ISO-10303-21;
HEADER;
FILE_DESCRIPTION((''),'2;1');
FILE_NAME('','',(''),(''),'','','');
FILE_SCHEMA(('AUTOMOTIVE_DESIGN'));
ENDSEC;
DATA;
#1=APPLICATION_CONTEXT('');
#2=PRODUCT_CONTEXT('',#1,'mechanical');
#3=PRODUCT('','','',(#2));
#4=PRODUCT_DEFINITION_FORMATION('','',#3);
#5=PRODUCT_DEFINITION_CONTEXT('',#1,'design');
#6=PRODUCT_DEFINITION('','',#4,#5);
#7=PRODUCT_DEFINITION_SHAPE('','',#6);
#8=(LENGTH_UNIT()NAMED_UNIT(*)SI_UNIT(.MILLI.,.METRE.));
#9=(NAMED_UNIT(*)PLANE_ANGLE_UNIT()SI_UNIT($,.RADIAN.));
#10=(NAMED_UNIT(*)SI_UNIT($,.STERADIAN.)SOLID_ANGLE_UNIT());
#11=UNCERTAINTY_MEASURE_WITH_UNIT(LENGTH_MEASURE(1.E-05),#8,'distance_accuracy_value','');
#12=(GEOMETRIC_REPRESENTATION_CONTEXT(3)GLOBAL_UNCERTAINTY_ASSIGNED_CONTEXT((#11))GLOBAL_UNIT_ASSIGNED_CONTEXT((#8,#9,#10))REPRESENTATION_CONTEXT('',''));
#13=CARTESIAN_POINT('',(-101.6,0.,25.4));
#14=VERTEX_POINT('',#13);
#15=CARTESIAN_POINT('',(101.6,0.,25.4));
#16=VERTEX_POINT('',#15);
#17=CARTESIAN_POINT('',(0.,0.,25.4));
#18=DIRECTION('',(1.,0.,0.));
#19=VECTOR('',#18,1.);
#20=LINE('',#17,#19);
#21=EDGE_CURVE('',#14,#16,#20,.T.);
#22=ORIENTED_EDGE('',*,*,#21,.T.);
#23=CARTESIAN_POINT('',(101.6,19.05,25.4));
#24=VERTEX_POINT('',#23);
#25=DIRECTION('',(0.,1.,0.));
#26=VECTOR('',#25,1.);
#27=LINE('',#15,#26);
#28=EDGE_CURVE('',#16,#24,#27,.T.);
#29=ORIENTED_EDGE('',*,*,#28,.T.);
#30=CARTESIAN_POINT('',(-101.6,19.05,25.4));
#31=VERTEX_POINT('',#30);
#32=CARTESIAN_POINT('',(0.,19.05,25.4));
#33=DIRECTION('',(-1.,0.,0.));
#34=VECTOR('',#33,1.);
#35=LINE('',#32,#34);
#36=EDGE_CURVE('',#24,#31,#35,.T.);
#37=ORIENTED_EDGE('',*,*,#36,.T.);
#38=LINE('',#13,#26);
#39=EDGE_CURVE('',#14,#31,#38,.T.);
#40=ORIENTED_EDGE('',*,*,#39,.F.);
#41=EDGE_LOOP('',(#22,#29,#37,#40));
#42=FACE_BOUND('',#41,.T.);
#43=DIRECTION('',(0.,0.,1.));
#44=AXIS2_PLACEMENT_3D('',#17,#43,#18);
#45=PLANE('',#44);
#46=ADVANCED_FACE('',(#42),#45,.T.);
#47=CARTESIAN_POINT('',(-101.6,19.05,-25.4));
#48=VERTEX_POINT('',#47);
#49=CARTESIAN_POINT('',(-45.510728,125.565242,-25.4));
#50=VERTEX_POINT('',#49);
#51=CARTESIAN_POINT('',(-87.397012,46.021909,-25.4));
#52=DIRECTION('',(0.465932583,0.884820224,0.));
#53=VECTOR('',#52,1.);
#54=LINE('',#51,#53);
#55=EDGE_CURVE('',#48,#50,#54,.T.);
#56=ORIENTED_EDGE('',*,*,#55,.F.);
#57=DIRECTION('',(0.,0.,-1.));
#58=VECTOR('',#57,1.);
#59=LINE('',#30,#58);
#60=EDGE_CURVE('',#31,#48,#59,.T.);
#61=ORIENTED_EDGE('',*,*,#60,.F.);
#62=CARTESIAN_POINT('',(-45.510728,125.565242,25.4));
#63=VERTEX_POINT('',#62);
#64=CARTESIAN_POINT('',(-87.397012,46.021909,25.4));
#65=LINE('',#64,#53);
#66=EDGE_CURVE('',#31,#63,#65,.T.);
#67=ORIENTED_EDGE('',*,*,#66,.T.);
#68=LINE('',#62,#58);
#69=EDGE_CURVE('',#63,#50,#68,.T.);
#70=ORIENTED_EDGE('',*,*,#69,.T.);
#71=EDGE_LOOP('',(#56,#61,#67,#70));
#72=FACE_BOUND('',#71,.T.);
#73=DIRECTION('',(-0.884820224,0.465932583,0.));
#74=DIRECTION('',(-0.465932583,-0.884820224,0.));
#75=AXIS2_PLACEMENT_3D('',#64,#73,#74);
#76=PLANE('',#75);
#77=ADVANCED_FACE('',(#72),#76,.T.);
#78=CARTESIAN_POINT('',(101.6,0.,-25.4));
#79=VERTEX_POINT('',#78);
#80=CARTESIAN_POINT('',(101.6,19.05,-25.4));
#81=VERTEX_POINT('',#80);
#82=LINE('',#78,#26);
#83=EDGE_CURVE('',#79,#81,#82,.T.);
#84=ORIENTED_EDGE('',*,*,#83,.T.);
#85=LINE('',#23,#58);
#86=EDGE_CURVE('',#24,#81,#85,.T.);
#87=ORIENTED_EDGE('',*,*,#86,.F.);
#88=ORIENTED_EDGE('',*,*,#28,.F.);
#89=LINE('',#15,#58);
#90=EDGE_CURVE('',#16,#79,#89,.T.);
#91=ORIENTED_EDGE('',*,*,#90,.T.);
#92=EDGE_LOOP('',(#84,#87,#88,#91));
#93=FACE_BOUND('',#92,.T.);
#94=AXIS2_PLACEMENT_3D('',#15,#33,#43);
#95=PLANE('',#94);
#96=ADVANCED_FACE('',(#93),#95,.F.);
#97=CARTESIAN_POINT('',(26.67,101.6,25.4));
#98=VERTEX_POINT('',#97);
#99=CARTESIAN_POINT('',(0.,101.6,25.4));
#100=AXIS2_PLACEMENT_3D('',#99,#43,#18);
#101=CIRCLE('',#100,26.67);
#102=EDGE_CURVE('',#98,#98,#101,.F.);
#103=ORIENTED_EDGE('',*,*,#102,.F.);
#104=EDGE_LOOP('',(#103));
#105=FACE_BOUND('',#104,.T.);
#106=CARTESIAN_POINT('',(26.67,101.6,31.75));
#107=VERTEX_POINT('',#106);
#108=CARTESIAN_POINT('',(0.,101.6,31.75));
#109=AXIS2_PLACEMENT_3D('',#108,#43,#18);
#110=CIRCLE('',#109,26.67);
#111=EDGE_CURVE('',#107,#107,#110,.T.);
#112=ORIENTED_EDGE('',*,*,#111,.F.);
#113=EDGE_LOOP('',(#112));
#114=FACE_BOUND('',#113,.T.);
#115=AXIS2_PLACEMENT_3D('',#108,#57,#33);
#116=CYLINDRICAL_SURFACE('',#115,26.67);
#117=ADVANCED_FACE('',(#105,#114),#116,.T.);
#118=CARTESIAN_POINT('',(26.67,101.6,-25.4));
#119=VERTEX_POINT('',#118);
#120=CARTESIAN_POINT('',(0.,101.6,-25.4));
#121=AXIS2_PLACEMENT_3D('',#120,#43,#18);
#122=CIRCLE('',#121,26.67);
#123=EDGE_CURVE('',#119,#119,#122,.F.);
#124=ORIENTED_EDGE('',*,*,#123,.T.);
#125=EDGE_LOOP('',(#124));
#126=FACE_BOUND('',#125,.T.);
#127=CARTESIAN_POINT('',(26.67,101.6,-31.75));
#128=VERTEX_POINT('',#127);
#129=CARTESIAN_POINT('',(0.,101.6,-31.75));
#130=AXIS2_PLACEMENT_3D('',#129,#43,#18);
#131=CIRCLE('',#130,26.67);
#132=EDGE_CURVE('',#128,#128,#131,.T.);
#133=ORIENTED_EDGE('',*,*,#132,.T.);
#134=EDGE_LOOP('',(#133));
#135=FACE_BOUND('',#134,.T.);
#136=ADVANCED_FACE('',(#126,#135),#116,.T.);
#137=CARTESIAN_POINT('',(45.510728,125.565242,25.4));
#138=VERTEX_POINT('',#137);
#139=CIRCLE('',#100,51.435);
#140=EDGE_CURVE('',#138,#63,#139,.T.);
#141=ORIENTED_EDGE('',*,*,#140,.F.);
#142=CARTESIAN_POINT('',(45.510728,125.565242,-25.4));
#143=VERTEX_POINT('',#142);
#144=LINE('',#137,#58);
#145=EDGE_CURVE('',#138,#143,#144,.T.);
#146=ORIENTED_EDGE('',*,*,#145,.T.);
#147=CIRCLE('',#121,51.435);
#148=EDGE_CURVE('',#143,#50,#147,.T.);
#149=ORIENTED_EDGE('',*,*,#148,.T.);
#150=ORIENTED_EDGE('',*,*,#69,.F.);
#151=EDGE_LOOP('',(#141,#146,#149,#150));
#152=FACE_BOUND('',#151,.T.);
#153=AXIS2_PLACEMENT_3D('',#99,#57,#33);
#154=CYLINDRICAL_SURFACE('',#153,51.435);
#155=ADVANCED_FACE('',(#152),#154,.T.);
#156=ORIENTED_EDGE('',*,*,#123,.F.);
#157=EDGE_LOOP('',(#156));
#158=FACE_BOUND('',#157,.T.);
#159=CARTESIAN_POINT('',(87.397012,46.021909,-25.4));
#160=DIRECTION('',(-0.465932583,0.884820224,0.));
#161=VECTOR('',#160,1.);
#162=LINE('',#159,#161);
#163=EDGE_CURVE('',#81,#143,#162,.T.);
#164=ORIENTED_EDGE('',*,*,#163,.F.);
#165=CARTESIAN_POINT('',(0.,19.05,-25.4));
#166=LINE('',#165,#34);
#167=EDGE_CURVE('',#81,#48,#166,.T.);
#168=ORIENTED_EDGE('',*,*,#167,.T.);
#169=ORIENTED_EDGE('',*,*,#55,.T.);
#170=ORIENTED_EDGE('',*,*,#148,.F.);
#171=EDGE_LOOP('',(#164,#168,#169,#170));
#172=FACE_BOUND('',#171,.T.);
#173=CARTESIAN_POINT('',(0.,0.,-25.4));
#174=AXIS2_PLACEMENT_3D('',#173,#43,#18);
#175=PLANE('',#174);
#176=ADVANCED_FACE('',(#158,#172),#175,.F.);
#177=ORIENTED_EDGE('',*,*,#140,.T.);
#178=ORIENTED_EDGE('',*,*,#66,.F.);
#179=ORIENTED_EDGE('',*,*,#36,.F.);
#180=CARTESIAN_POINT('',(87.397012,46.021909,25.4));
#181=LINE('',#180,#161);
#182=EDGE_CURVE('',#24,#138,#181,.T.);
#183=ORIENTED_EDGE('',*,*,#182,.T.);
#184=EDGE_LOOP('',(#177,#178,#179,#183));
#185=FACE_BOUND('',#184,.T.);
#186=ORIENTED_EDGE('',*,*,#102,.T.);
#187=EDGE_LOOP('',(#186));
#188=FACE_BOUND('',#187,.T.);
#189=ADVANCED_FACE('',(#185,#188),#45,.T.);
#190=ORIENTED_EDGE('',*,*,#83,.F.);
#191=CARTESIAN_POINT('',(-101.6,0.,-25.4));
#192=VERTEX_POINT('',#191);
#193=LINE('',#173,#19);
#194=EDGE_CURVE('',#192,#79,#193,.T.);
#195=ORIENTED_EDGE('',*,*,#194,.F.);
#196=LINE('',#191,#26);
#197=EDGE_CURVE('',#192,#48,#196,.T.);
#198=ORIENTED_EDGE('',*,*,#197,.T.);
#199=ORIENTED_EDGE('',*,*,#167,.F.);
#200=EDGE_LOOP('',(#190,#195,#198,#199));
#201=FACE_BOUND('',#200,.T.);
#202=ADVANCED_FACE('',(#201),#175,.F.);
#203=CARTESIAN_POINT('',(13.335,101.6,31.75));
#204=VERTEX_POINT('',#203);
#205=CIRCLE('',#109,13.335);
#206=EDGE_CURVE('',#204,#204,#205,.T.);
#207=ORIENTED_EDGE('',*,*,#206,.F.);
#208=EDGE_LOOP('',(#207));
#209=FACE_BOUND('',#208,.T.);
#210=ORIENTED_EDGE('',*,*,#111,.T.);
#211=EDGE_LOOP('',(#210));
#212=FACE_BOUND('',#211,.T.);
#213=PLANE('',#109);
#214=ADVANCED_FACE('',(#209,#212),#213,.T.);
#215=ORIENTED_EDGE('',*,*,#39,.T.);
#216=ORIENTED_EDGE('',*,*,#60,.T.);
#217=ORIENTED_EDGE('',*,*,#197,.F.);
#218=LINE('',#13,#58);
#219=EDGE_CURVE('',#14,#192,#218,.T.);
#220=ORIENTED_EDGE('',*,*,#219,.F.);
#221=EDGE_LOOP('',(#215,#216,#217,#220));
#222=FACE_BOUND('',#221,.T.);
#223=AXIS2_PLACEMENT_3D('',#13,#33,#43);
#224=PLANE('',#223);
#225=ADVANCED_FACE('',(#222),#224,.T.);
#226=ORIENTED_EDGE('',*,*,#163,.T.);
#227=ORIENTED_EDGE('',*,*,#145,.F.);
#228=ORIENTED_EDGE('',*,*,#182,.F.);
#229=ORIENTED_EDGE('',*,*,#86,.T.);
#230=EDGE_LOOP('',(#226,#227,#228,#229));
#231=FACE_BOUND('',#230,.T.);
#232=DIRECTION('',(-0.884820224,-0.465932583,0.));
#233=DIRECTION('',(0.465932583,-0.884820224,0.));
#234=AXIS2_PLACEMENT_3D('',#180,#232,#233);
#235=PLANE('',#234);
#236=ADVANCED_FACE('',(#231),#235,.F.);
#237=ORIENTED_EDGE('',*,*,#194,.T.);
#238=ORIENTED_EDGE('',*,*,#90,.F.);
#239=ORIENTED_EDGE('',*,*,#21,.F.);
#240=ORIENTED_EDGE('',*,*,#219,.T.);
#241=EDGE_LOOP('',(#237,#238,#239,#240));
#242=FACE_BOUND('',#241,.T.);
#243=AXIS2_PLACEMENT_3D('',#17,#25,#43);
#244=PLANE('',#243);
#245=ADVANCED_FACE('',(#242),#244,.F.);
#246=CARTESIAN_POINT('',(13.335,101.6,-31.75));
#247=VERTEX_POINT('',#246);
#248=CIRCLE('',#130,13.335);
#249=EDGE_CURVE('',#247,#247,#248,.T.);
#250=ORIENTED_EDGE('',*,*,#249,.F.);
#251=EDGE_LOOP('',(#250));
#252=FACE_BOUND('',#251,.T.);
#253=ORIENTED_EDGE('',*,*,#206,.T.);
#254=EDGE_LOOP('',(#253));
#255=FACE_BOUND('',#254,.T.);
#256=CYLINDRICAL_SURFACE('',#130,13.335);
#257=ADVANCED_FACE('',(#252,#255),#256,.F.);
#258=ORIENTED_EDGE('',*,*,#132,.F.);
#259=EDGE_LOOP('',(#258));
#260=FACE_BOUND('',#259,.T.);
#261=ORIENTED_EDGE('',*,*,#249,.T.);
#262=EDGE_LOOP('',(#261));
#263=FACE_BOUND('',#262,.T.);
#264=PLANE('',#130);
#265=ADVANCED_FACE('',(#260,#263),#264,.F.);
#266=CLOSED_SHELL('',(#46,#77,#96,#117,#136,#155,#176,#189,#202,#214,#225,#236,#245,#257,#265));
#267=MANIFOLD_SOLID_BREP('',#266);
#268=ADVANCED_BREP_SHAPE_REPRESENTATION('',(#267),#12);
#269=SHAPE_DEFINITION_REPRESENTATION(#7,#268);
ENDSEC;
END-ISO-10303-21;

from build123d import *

# Parameters (mm, degrees)
SKETCH1_R               = 13.335
BOSS_EXTRUDE1_DEPTH     = 25.4
SKETCH7_R               = 26.67
BOSS_EXTRUDE3_DEPTH     = 31.75
SKETCH10_R              = 13.335
CUT_EXTRUDE1_DEPTH      = 32.75
CUT_EXTRUDE1_DEPTH_BACK = 32.75


with BuildPart() as part:
    # Sketch1 → Boss-Extrude1 (new body, symmetric)
    with BuildSketch(Plane.XY):
        with BuildLine():
            Line((-101.6, 0), (101.6, 0))
            Line((101.6, 0), (101.6, 19.05))
            Line((101.6, 19.05), (45.510728203, 125.565242403))
            ThreePointArc((45.510728203, 125.565242403), (0, 153.035), (-45.510728203, 125.565242403))
            Line((-45.510728203, 125.565242403), (-101.6, 19.05))
            Line((-101.6, 19.05), (-101.6, 0))
        make_face()
        with Locations((0, 101.6)):
            Circle(SKETCH1_R, mode=Mode.SUBTRACT)
    extrude(amount=BOSS_EXTRUDE1_DEPTH, both=True)

    # Sketch7 → Boss-Extrude3 (add, symmetric)
    with BuildSketch(Plane.XY):
        with Locations((0, 101.6)):
            Circle(SKETCH7_R)
    extrude(amount=BOSS_EXTRUDE3_DEPTH, both=True)

    # Sketch10 → Cut-Extrude1 (cut, two sides)
    with BuildSketch(Plane.XY) as cut_extrude1_sk:
        with Locations((0, 101.6)):
            Circle(SKETCH10_R)
    extrude(amount=CUT_EXTRUDE1_DEPTH, mode=Mode.SUBTRACT)
    extrude(cut_extrude1_sk.sketch, amount=-CUT_EXTRUDE1_DEPTH_BACK, mode=Mode.SUBTRACT)


solid = part.part
